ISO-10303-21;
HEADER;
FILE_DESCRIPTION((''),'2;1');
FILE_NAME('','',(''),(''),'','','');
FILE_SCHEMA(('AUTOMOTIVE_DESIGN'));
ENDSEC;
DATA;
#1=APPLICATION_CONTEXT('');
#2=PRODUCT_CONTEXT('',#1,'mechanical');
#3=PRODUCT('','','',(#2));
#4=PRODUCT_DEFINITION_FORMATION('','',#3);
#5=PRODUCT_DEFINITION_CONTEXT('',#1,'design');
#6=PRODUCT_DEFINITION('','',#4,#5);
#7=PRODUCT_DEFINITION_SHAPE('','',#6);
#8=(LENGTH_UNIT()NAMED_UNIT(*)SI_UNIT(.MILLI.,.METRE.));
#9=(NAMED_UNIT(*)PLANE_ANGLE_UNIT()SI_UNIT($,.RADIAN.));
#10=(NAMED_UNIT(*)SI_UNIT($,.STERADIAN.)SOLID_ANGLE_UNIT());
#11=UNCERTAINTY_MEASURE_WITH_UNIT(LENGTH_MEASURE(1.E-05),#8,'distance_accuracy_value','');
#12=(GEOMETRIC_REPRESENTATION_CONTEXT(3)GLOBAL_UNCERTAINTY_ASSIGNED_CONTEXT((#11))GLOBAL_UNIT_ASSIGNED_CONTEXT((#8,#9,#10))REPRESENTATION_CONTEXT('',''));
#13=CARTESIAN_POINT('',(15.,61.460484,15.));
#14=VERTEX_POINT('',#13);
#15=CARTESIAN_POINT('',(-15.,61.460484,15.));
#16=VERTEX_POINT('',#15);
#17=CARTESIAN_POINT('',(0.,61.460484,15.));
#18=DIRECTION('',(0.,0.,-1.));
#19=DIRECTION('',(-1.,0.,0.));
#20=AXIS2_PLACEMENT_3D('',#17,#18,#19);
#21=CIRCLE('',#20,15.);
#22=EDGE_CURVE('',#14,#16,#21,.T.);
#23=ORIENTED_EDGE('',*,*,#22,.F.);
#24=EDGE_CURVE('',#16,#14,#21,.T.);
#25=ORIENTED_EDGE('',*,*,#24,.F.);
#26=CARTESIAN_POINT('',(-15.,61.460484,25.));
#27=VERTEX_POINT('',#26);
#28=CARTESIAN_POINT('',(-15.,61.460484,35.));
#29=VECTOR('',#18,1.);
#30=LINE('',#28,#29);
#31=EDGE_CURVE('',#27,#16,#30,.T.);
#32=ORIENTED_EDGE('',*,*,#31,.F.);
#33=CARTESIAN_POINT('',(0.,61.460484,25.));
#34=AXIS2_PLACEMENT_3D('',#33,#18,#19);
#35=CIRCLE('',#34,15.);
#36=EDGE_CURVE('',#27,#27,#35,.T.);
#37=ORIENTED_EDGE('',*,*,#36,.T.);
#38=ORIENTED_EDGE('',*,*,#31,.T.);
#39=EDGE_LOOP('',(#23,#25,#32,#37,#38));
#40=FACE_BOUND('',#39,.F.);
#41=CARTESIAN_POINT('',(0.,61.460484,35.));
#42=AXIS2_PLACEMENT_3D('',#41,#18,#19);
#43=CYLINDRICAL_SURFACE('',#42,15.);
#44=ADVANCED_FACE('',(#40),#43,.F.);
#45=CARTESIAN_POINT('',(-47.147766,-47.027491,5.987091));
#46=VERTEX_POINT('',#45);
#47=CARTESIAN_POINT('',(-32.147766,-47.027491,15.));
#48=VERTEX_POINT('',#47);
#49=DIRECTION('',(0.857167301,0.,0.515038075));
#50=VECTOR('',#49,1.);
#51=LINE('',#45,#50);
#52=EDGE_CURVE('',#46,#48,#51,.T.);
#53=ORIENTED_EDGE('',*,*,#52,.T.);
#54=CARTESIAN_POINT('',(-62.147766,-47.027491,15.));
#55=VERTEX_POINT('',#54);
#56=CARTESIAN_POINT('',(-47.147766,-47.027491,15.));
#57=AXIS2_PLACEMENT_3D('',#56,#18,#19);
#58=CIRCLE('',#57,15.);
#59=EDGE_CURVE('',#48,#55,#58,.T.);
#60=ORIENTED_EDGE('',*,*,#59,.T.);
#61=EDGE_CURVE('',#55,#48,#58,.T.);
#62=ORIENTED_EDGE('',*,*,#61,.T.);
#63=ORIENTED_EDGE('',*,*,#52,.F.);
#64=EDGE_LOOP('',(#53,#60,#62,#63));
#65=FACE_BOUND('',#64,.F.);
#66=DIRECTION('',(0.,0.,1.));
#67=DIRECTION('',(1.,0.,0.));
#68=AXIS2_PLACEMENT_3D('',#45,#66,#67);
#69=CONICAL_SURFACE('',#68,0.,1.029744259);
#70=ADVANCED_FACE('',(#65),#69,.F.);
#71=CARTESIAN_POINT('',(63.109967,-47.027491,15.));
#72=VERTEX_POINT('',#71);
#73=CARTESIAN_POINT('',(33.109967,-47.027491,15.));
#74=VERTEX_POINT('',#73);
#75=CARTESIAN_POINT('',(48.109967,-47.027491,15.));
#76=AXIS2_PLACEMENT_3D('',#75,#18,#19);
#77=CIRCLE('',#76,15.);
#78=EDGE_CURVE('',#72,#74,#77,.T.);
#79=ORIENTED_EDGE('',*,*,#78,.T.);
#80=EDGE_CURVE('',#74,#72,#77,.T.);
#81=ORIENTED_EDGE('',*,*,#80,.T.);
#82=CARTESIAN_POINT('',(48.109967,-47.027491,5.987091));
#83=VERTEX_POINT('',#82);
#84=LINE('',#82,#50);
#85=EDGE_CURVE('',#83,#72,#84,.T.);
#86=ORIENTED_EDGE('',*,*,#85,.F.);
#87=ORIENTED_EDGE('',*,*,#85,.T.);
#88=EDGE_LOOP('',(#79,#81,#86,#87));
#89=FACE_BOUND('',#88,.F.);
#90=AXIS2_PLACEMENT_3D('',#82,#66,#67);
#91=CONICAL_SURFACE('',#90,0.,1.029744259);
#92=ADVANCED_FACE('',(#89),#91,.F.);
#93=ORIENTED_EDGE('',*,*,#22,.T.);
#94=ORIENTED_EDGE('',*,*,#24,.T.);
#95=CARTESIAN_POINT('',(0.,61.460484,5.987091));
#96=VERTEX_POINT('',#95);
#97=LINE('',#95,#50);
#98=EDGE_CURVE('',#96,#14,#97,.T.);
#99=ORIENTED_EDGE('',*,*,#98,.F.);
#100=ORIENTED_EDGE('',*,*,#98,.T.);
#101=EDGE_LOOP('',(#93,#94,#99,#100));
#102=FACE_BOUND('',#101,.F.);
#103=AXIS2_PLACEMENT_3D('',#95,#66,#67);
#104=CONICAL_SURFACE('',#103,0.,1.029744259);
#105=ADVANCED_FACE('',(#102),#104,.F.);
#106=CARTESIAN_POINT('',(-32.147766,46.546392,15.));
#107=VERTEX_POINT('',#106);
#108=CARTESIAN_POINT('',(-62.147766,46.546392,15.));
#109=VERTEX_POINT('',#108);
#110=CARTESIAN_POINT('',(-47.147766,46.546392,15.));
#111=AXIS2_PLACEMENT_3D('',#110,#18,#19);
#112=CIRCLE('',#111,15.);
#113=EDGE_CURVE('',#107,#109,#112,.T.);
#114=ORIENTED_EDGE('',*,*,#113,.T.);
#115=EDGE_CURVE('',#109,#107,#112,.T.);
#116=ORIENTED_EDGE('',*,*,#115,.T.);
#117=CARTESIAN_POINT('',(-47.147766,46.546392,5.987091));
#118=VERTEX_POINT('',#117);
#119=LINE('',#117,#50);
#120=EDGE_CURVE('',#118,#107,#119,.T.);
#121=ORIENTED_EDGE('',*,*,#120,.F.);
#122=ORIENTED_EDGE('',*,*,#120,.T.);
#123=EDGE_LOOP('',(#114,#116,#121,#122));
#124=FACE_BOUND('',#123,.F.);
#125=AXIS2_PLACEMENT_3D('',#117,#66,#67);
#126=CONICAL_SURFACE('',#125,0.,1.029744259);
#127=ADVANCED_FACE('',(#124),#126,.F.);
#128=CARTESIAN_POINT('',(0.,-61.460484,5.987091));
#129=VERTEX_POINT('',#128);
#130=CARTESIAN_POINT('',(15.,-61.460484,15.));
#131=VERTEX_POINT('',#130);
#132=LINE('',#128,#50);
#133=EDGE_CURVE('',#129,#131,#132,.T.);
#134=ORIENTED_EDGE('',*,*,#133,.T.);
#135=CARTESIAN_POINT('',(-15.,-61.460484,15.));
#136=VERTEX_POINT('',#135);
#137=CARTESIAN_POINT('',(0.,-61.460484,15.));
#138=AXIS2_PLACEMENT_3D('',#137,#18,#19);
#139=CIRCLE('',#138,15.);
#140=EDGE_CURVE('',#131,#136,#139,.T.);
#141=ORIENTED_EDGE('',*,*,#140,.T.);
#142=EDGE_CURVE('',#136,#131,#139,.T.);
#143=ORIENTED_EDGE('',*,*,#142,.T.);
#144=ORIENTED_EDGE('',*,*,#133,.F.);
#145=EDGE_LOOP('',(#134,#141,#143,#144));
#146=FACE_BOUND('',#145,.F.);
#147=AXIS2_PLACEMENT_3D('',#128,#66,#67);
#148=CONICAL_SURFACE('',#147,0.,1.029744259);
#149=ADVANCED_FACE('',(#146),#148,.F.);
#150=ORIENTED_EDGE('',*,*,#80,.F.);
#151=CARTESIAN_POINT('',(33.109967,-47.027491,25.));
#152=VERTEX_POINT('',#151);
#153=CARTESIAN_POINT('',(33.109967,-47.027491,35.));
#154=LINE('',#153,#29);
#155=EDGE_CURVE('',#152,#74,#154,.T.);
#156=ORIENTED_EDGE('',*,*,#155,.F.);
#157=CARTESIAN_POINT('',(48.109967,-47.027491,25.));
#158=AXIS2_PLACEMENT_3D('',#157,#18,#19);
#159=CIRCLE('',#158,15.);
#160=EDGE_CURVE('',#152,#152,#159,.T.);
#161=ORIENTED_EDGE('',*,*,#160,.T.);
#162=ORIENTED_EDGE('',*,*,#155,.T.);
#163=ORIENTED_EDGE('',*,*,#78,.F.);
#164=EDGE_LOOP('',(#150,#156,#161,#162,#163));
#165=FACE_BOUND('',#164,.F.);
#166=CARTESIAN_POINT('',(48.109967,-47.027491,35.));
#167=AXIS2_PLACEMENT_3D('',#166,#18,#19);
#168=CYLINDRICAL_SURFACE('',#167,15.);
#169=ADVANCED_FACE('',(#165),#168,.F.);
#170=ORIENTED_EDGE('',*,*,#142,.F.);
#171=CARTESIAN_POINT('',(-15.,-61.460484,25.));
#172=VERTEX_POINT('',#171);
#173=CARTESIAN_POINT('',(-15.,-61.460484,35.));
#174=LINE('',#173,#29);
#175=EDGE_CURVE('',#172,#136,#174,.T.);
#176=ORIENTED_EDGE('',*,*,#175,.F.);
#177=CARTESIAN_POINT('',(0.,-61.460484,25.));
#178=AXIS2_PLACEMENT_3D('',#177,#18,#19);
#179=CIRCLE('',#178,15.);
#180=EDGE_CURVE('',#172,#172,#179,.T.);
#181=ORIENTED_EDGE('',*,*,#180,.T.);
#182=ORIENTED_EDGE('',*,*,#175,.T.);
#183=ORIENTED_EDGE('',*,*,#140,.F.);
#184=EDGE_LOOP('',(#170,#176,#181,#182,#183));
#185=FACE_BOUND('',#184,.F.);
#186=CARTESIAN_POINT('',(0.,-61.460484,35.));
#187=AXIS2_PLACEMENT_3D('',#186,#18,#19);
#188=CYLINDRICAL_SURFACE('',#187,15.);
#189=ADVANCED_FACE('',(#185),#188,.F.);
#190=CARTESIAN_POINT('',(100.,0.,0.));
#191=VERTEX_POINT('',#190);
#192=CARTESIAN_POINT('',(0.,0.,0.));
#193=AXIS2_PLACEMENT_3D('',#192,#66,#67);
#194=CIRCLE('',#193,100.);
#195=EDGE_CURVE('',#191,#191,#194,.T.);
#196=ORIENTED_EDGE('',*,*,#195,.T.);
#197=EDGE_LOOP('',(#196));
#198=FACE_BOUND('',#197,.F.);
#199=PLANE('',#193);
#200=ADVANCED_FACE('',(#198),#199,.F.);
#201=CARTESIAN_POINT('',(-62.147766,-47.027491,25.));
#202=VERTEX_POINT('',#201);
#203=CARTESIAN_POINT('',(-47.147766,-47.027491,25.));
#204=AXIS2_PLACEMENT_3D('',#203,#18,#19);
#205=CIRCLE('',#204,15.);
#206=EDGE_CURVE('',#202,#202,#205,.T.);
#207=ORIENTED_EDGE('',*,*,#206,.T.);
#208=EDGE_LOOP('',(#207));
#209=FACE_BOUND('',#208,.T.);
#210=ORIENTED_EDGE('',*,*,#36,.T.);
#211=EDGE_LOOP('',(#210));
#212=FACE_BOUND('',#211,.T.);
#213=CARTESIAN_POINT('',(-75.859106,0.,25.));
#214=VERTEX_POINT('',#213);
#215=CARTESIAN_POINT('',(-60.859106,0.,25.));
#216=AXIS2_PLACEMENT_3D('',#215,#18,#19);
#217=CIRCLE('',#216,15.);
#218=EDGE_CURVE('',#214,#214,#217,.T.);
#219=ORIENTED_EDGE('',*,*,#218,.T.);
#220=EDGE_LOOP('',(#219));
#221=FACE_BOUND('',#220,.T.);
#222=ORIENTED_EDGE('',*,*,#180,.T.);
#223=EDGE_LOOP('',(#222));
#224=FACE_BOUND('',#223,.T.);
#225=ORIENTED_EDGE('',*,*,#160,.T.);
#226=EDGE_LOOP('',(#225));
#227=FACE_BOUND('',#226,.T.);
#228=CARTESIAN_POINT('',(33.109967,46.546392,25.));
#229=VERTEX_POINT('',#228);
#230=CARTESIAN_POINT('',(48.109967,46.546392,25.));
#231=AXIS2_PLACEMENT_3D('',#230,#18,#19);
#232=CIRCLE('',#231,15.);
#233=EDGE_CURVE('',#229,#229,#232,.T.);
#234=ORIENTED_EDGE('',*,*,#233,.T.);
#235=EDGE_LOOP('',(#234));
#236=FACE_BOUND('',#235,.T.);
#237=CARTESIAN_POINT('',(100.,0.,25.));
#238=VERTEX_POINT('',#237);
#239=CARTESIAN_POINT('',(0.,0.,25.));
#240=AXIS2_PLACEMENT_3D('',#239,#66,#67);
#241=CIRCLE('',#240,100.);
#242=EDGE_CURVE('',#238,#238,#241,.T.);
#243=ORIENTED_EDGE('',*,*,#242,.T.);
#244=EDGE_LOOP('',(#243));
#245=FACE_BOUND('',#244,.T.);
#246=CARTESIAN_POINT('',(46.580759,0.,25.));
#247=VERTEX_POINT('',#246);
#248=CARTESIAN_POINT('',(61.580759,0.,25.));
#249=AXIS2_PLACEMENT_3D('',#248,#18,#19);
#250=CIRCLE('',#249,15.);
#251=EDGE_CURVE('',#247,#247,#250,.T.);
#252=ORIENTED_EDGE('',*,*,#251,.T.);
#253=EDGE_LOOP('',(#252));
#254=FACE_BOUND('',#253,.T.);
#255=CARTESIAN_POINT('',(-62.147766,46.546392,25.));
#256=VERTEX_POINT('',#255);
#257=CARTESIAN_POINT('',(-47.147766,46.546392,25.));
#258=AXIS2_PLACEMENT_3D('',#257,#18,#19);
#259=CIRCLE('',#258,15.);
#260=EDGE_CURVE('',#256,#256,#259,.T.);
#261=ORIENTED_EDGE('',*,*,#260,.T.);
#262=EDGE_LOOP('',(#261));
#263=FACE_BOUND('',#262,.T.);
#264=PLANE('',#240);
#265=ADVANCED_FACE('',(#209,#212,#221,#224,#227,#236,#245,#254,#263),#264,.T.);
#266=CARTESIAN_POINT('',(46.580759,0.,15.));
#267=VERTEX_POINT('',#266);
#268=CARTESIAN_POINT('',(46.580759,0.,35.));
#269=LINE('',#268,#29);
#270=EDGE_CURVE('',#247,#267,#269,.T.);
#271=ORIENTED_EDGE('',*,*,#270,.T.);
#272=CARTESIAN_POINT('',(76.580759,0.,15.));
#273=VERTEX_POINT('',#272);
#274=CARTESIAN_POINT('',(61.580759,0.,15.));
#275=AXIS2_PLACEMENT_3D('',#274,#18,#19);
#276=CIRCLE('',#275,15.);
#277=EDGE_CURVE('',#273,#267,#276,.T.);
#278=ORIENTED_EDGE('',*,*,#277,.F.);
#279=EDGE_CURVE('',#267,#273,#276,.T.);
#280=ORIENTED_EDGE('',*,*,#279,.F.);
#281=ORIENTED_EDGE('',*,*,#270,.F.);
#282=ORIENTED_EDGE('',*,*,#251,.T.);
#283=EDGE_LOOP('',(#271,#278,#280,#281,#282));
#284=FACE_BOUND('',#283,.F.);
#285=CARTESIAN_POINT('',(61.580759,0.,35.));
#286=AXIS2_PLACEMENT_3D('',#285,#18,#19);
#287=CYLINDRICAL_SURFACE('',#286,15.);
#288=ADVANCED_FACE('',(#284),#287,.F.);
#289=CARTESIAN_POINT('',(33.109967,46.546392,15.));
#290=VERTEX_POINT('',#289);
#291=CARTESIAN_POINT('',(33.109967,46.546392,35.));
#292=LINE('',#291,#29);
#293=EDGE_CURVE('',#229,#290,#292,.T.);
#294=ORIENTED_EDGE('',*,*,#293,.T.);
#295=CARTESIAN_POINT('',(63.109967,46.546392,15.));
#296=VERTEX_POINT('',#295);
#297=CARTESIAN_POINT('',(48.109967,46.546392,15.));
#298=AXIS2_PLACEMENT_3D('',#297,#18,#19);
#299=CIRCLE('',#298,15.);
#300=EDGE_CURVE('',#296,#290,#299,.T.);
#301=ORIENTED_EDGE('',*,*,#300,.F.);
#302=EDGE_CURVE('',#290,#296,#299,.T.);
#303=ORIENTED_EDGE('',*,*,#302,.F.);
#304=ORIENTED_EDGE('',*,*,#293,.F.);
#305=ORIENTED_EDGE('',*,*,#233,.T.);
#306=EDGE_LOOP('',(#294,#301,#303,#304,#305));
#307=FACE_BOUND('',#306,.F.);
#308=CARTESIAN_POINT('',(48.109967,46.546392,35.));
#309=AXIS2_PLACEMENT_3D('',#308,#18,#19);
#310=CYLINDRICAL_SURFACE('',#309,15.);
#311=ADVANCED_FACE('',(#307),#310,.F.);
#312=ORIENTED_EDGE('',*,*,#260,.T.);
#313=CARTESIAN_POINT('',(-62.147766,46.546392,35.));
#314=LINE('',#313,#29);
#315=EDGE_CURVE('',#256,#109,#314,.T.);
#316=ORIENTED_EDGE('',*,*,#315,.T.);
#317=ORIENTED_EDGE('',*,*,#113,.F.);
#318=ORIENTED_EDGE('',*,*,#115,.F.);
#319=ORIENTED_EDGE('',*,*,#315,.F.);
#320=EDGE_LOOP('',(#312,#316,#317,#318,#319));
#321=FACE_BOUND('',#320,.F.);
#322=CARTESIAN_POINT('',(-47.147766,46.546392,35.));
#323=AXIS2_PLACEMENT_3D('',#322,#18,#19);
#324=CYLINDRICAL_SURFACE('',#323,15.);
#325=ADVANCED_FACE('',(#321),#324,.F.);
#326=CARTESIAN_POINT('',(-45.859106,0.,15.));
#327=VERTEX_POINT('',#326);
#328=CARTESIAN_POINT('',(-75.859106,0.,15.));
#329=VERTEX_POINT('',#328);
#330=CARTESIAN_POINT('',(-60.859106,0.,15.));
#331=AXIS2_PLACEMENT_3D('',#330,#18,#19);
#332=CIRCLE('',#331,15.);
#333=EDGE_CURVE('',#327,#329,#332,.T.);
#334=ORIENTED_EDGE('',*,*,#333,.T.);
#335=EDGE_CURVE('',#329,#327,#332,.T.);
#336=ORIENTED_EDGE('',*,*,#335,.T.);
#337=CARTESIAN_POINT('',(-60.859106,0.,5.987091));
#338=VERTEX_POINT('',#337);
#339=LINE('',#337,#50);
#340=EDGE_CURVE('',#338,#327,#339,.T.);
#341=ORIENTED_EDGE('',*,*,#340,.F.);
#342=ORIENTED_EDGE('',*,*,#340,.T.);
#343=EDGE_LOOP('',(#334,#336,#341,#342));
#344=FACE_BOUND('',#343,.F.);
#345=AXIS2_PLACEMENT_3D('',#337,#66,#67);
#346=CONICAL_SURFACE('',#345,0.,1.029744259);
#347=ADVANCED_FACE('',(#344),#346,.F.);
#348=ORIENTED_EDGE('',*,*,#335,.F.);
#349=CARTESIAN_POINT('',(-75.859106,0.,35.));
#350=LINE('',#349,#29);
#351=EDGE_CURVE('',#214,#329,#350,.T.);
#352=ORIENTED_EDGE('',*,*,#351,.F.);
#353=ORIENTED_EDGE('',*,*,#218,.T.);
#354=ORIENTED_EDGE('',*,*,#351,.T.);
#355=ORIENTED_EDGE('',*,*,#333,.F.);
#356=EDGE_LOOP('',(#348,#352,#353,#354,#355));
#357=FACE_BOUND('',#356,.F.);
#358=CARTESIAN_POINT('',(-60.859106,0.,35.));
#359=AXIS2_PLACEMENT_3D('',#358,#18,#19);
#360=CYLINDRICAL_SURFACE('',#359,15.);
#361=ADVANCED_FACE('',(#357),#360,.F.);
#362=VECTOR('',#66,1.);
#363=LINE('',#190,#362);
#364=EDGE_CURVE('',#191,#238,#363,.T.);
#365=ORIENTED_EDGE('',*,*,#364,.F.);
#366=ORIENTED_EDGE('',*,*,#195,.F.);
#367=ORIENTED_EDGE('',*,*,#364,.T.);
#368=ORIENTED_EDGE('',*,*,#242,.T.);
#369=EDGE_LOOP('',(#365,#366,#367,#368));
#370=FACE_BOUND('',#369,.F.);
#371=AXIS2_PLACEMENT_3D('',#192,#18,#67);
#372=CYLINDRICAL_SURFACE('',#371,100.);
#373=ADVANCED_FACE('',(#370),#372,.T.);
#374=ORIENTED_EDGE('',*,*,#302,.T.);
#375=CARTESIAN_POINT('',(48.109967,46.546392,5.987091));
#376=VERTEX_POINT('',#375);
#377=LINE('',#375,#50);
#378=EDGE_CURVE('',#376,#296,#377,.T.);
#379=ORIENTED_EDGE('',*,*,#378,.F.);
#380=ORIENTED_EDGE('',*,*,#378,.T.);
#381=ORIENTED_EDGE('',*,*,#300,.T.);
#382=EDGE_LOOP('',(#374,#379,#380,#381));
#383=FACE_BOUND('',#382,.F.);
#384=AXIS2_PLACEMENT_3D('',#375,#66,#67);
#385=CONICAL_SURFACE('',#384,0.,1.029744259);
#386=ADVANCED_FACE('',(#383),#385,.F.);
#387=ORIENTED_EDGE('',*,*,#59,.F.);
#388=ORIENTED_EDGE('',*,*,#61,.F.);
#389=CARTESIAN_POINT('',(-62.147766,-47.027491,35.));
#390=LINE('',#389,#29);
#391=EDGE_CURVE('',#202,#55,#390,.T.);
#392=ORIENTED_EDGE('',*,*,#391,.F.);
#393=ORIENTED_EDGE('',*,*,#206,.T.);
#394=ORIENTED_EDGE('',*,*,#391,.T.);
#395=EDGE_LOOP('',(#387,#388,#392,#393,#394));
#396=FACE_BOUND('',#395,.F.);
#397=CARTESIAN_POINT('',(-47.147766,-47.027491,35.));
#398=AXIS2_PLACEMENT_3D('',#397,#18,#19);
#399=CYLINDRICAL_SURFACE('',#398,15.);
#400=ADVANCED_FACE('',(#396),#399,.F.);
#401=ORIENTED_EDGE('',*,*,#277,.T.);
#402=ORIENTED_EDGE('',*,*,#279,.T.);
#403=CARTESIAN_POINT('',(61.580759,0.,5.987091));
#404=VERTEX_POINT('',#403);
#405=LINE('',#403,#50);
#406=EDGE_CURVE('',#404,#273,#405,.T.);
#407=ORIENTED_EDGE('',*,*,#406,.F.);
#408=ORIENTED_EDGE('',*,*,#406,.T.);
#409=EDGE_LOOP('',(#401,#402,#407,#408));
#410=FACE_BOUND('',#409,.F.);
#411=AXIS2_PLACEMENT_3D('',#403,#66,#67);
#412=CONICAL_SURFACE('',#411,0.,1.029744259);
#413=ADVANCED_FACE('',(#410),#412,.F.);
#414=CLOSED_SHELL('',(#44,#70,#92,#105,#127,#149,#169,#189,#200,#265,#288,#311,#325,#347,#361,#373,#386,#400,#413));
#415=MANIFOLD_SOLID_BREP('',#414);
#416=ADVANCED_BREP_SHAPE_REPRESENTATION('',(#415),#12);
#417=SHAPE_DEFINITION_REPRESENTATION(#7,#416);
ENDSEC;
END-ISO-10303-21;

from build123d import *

# Parameters (mm, degrees)
F0_R     = 100
F1_DEPTH = 25
F3_D     = 30
F3_DEPTH = 10
F3_TIP   = 9.0129092854


with BuildPart() as f1:
    # F0 (on Top) → F1 (new body)
    with BuildSketch(Plane.XY):
        Circle(F0_R)
    extrude(amount=F1_DEPTH)

    # F3
    with Locations(Plane.XY.offset(25)):
        with Locations((-47.1477657557, 46.5463921428), (-60.8591064811, 0), (-47.1477657557, -47.0274910331), (0, -61.4604838192), (48.1099672616, -47.0274910331), (61.5807585418, 0), (48.1099672616, 46.5463921428), (0, 61.4604838192)):
            Hole(F3_D / 2, depth=F3_DEPTH)
            with Locations((0, 0, -(F3_DEPTH + F3_TIP / 2))):  # 118° drill point
                Cone(0, F3_D / 2, F3_TIP, mode=Mode.SUBTRACT)


solid = f1.part
